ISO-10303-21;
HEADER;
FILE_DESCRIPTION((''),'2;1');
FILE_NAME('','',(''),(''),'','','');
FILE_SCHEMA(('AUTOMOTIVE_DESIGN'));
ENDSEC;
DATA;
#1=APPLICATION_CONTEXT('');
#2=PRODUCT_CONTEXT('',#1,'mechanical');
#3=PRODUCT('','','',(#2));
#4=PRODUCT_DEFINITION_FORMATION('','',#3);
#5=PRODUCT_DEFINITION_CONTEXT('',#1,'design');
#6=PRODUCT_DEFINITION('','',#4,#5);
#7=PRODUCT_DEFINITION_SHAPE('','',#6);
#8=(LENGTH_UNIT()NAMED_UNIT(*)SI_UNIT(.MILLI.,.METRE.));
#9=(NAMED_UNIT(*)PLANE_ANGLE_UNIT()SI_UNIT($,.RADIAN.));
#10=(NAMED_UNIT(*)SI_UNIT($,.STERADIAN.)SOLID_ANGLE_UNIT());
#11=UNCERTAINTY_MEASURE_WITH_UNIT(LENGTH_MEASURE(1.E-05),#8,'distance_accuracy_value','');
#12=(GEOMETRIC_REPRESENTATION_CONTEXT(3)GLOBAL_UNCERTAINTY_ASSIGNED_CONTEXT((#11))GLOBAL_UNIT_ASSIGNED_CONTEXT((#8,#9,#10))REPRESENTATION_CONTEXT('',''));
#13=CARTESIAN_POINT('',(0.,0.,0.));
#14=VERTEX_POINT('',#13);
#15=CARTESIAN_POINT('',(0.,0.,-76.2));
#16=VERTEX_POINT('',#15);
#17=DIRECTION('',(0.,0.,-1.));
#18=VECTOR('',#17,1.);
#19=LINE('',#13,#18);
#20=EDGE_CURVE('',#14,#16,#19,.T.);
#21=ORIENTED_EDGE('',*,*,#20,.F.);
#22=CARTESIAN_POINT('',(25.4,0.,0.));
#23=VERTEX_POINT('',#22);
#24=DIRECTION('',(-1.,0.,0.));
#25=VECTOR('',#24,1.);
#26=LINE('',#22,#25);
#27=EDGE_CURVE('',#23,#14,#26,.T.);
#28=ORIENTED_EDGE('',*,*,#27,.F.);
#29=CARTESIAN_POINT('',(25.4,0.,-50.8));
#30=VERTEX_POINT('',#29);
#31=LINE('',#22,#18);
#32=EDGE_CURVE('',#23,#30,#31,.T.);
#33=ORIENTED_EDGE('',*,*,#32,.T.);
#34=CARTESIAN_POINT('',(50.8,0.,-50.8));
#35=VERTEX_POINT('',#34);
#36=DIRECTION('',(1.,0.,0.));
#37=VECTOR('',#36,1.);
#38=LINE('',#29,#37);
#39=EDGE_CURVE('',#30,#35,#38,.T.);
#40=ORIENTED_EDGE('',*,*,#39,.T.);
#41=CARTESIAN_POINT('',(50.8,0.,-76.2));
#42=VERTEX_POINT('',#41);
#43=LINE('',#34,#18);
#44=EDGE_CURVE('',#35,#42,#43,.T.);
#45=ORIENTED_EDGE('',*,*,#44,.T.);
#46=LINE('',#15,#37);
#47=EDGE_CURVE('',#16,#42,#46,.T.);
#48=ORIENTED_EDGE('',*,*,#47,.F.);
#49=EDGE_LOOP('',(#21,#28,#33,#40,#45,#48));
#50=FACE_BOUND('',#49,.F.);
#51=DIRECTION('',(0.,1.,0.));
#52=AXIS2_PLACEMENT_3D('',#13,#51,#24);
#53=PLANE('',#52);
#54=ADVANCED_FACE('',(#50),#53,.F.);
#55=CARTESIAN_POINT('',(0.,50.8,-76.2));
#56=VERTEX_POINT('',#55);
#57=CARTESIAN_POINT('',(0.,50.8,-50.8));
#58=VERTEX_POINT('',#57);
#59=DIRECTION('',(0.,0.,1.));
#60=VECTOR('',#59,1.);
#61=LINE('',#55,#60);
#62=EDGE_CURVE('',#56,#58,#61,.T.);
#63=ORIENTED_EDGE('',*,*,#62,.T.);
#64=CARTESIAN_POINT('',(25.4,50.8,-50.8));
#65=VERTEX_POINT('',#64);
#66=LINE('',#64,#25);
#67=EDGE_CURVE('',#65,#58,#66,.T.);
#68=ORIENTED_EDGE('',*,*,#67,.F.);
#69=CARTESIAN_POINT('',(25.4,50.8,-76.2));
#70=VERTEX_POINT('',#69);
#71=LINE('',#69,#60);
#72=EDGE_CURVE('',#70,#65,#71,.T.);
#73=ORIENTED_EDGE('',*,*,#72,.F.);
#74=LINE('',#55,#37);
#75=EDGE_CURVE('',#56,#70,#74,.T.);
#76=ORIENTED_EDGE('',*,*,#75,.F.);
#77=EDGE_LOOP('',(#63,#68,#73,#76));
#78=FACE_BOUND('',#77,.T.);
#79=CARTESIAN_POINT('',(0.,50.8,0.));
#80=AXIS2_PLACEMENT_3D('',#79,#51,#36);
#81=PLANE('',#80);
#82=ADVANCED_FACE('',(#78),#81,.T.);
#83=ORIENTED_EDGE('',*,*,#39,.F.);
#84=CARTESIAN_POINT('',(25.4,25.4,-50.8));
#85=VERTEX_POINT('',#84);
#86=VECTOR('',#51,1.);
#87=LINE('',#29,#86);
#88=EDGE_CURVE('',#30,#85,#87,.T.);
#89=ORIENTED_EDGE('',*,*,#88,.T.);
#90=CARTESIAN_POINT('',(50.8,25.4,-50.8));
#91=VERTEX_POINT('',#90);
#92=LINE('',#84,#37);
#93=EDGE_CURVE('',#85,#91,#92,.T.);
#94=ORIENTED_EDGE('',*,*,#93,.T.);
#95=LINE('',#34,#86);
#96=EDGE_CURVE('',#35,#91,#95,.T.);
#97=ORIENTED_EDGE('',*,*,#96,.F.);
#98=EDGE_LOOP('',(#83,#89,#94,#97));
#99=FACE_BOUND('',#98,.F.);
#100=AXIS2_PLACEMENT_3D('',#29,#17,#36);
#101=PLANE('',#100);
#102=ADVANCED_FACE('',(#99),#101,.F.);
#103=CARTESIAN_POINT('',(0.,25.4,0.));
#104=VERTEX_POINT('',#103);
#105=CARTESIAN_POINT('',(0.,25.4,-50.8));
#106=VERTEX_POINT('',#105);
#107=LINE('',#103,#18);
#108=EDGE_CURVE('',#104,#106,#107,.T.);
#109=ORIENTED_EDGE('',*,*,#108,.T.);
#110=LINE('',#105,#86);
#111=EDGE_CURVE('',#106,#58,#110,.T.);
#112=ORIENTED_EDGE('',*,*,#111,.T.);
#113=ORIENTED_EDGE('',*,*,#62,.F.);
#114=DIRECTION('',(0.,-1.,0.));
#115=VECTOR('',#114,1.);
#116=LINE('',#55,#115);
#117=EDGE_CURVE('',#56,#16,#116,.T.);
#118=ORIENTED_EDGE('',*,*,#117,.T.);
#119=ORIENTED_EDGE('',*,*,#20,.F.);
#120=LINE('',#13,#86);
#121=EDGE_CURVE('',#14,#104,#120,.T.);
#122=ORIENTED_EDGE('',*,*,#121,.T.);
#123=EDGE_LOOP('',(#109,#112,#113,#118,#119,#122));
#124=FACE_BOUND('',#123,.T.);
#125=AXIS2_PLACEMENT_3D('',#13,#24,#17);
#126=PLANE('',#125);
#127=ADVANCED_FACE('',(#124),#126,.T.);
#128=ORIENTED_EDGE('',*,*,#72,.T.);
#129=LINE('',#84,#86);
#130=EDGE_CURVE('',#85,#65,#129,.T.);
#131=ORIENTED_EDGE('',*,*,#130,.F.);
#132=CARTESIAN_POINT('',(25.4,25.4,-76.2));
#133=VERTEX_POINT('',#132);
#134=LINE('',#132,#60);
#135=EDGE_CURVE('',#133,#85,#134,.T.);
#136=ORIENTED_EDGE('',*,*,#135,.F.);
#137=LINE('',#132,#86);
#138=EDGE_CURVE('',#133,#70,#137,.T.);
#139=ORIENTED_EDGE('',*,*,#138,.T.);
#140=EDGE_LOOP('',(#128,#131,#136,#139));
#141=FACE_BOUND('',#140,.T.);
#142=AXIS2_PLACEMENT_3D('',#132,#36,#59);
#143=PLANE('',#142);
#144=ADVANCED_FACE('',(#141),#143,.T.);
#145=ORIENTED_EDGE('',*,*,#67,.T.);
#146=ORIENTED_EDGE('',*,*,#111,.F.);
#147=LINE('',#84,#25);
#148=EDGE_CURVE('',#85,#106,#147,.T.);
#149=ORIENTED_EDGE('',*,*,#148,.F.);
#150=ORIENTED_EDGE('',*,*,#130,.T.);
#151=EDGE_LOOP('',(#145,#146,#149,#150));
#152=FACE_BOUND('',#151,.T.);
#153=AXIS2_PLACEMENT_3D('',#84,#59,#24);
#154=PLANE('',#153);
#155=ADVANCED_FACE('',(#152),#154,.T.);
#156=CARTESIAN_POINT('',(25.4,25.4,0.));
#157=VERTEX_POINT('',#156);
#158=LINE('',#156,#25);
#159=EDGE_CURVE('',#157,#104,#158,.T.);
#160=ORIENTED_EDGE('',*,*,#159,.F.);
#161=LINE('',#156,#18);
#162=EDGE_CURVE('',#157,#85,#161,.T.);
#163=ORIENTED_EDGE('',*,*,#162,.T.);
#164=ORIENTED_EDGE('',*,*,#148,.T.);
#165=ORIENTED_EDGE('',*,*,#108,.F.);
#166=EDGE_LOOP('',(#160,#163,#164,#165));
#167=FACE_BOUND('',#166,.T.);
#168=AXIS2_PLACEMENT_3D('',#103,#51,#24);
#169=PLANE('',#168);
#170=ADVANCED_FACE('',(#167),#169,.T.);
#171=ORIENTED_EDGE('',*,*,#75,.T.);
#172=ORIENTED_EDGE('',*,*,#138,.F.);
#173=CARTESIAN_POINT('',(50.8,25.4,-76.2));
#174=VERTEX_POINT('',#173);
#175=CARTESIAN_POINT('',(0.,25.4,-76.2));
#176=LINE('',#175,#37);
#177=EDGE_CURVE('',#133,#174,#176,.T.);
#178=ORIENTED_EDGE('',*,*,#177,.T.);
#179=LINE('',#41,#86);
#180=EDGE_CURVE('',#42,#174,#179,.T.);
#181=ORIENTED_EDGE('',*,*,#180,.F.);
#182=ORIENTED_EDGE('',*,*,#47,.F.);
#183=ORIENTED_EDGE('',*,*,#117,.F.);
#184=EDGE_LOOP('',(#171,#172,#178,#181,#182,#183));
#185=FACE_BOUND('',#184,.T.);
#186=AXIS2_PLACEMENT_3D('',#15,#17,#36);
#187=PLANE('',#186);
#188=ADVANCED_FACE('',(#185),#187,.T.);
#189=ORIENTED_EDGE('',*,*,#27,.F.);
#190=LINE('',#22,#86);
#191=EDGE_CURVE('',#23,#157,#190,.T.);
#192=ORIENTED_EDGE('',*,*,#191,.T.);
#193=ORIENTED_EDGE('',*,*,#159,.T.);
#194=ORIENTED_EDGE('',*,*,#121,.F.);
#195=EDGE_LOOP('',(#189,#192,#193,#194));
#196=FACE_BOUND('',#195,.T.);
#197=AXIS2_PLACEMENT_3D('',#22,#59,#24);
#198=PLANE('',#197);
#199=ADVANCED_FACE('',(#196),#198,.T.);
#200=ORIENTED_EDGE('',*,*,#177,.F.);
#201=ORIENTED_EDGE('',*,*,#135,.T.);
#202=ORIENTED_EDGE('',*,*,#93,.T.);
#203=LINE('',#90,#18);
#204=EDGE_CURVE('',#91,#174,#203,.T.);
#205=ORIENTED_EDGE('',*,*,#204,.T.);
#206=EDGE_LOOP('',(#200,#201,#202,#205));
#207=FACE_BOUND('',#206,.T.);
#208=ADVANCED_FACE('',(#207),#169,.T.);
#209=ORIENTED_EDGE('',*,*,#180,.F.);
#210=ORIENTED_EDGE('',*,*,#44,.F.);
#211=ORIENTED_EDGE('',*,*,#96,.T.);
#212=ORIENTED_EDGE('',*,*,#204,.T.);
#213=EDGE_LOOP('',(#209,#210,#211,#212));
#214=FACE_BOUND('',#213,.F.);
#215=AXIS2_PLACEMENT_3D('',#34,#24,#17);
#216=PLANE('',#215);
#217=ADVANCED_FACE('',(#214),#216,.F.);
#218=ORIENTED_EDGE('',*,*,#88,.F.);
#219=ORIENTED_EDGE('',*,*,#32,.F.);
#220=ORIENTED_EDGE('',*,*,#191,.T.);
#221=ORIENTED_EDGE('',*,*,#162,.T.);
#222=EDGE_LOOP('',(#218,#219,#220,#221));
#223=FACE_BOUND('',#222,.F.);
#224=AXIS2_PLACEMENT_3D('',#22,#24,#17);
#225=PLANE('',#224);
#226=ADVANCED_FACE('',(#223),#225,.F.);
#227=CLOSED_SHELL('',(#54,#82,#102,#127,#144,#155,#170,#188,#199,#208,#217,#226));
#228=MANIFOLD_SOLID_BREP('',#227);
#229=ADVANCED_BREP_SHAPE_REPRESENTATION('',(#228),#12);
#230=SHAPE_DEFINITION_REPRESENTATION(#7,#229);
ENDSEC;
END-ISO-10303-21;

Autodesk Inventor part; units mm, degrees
ref_plane "YZ Plane" through (0, 0, 0) normal (1, 0, 0) x (0, 1, 0)
ref_plane "XZ Plane" through (0, 0, 0) normal (0, 1, 0) x (-1, 0, 0)
ref_plane "XY Plane" through (0, 0, 0) normal (0, 0, 1) x (1, 0, 0)
sketch "Sketch1" plane through (0, 0, 0) normal (0, 1, 0) x (-1, 0, 0)
  line L0 (0, 0) -> (0, -76.2)
  line L1 (0, -76.2) -> (-50.8, -76.2)
  line L2 (-25.4, 0) -> (0, 0)
  line L3 (0, 0) -> (-25.4, 0)
  line L4 (-25.4, 0) -> (-25.4, -50.8)
  line L5 (-25.4, -50.8) -> (-50.8, -50.8)
  line L6 (-50.8, -50.8) -> (-50.8, -76.2)
  dimension "d0" = 76.2
  dimension "d1" = 50.8
  dimension "d11" = 25.4
  dimension "d12" = 50.8
  dimension "d13" = 25.4
extrude "Extrusion1" add sketch "Sketch1" along normal blind 25.4
sketch "Sketch2" plane through (0, 25.4, 0) normal (0, 1, 0) x (1, 0, 0)
  line L0 (0, 76.2) -> (25.4, 76.2)
  line L1 (50.8, 76.2) -> (0, 76.2) projected
  line L2 (25.4, 76.2) -> (25.4, 50.8)
  line L3 (25.4, 50.8) -> (0, 50.8)
  line L4 (0, 76.2) -> (0, 0) projected
  line L5 (0, 50.8) -> (0, 76.2)
  dimension "d6" = 25.4
  dimension "d7" = 25.4
  dimension "d8" = 25.4
extrude "Extrusion2" add sketch "Sketch2" along normal blind 25.4
properties part number "BlackPuzzlePiece"
